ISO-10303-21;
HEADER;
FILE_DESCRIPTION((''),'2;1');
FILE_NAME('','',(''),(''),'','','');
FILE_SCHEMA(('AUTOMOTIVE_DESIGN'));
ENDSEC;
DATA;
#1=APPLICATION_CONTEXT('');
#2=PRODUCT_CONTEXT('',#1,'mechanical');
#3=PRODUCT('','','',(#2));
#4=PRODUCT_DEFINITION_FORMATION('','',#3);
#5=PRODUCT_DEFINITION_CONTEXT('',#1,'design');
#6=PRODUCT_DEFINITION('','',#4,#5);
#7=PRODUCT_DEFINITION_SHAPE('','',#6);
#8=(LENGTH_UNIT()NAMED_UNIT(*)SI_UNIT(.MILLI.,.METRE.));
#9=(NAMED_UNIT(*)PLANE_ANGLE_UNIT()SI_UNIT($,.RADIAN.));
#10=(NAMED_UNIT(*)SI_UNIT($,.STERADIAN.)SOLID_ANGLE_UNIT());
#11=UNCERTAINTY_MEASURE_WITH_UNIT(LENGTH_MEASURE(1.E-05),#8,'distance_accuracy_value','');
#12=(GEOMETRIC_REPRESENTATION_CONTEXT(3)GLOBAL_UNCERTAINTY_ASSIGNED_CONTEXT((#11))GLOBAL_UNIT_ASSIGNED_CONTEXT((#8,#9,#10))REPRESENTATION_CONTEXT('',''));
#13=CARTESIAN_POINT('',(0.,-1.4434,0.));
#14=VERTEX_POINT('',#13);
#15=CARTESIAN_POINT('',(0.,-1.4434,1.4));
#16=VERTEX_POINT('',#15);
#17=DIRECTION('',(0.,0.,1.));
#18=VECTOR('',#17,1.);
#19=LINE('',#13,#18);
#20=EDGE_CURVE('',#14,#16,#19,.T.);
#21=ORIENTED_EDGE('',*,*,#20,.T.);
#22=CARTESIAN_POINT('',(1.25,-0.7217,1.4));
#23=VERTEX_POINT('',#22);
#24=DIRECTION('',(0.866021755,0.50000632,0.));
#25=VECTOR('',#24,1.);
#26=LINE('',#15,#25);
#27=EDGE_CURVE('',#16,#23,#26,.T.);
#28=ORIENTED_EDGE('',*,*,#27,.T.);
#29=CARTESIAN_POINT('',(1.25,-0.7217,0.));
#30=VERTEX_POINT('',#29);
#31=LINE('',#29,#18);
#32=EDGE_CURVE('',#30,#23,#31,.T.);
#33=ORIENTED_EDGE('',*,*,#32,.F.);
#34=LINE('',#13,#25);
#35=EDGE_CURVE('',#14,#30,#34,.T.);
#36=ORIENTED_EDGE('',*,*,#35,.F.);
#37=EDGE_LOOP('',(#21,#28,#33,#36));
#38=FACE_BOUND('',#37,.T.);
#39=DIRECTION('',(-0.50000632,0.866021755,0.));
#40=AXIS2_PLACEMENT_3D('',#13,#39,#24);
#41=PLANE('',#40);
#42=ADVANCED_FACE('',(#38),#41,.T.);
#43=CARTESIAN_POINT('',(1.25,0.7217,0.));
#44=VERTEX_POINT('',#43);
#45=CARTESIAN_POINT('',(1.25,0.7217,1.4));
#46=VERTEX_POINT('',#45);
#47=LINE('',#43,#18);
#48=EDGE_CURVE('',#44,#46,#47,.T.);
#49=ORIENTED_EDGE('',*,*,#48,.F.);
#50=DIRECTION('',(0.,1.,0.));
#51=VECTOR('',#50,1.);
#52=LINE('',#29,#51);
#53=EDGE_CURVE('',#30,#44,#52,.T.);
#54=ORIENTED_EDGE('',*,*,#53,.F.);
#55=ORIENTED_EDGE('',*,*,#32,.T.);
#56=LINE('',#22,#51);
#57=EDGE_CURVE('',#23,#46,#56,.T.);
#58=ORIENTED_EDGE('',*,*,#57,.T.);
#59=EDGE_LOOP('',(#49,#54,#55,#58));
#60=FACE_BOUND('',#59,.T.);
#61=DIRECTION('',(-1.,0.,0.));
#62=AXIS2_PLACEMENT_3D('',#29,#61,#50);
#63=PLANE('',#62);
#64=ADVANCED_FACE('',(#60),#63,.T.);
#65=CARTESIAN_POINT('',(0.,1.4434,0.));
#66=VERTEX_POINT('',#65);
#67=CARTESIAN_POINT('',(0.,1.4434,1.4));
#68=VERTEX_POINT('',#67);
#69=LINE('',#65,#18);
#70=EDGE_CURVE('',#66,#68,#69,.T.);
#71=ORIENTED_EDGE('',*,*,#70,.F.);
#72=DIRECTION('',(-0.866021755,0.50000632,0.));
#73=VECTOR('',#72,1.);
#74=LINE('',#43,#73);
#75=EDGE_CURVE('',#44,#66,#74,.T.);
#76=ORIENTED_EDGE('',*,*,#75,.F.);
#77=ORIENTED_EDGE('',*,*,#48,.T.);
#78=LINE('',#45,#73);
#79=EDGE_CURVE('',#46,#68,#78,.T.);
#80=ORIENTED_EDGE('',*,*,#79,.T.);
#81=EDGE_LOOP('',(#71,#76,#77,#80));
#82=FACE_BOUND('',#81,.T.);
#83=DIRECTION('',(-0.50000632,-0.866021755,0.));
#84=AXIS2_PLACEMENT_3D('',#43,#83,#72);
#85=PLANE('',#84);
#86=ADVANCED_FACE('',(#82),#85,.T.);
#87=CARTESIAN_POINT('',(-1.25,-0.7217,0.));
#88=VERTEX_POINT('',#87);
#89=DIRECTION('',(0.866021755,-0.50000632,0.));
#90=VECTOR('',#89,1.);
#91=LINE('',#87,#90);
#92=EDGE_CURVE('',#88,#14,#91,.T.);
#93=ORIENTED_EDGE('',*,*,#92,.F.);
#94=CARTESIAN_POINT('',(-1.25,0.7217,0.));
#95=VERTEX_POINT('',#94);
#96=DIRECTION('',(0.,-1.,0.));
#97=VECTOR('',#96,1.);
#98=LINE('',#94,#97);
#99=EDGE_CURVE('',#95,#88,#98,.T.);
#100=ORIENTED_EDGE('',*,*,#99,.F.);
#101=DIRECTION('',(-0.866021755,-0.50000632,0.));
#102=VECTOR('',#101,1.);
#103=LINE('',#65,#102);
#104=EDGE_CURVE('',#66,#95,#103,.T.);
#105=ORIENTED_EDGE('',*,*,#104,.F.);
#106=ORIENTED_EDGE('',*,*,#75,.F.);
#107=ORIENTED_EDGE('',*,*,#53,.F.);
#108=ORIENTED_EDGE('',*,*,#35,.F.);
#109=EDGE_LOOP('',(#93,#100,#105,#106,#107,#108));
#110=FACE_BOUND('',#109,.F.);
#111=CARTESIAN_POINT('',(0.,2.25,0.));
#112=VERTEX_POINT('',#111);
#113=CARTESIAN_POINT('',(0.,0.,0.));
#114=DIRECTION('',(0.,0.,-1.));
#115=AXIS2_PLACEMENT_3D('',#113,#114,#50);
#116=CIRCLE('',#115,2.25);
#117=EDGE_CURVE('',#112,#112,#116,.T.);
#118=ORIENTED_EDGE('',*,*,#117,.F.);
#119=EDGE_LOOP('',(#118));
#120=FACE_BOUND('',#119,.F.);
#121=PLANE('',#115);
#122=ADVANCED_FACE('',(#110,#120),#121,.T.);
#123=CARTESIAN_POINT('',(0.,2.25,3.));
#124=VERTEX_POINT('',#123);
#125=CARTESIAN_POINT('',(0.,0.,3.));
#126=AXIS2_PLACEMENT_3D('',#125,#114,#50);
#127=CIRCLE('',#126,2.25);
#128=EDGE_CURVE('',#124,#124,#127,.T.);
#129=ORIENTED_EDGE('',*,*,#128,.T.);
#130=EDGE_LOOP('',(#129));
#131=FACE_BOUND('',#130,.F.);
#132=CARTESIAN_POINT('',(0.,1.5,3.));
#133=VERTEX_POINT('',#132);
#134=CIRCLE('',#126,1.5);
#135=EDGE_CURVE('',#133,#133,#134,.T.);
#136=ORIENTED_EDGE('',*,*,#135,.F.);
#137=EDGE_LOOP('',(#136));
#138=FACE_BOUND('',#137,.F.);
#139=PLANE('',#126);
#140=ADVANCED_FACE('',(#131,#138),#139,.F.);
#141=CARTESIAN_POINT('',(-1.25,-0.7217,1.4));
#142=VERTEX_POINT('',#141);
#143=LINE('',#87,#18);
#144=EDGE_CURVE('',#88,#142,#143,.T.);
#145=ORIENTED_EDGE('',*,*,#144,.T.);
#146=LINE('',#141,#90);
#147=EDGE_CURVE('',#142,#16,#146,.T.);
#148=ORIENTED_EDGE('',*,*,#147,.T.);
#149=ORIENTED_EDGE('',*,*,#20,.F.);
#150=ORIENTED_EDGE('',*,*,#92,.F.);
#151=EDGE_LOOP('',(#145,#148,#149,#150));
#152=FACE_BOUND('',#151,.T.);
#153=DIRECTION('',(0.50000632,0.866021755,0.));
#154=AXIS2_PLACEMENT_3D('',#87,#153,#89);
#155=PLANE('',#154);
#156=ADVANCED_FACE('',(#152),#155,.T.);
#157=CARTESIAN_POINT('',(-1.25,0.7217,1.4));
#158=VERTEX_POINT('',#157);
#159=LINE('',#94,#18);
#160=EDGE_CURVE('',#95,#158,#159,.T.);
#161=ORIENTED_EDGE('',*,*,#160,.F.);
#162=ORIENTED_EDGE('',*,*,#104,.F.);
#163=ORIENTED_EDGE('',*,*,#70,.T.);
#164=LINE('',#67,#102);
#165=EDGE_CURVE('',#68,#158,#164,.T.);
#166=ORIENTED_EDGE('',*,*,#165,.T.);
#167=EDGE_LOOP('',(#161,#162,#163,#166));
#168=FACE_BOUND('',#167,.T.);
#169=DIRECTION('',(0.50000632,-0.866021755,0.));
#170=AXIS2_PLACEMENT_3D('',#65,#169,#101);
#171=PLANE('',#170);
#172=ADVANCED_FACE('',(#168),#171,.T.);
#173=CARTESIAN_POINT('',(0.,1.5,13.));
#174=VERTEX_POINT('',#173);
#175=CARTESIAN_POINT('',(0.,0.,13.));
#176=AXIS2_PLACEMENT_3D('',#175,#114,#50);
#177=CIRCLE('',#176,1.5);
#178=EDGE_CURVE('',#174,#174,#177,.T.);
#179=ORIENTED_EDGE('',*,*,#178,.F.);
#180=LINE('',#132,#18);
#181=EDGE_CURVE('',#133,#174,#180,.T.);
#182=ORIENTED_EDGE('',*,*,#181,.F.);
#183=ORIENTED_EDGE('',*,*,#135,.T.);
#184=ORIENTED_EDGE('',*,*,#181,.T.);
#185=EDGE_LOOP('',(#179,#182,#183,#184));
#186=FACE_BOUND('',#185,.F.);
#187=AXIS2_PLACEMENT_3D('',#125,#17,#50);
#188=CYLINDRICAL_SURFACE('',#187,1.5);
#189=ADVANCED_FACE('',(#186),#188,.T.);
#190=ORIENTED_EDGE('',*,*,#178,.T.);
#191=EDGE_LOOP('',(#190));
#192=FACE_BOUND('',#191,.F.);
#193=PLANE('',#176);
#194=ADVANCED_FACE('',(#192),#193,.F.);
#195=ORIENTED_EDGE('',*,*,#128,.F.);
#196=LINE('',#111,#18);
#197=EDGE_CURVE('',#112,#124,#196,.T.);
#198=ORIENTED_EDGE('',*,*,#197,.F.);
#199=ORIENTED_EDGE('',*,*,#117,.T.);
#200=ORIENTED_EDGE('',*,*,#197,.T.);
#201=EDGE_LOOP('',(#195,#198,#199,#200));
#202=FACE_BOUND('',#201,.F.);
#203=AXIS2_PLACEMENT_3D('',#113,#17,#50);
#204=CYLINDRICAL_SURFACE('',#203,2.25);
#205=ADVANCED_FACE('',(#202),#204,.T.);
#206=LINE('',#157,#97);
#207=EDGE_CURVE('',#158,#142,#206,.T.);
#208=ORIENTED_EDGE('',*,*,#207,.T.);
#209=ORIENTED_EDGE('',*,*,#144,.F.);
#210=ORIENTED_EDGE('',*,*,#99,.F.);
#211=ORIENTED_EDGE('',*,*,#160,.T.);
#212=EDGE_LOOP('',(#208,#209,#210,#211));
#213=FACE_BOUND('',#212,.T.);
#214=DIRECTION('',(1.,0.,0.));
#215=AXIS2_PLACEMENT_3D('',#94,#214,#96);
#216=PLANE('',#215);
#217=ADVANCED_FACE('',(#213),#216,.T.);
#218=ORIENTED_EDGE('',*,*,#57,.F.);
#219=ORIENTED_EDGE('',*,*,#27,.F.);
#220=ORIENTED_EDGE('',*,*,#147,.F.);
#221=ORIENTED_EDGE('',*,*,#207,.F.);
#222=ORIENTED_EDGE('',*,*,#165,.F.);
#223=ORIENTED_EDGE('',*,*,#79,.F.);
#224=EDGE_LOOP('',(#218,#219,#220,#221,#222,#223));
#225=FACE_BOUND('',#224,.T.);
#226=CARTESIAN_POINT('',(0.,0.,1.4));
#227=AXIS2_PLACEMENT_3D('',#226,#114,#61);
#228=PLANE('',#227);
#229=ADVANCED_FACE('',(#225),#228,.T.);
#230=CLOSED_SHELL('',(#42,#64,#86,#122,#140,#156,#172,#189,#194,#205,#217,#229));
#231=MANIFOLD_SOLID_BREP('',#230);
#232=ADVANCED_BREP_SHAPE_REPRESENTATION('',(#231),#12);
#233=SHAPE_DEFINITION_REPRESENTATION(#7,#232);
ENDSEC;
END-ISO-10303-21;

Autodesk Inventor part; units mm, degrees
ref_plane "YZ Plane" through (0, 0, 0) normal (1, 0, 0) x (0, 1, 0)
ref_plane "XZ Plane" through (0, 0, 0) normal (0, 1, 0) x (-1, 0, 0)
ref_plane "XY Plane" through (0, 0, 0) normal (0, 0, 1) x (1, 0, 0)
sketch "スケッチ1" plane through (0, 0, 0) normal (1, 0, 0) x (0, 1, 0)
  line L0 (0, 13) -> (0, 0)
  line L1 (0, 0) -> (2.25, 0)
  line L2 (2.25, 0) -> (2.25, 3)
  line L3 (2.25, 3) -> (1.5, 3)
  line L4 (1.5, 3) -> (1.5, 13)
  line L5 (1.5, 13) -> (0, 13)
  dimension "d2" = 3
  dimension "d10" = 10
  dimension "d11" = 3
  dimension "d12" = 4.5
revolve "回転1" add sketch "スケッチ1" angle 360 about axis through (0, 0, 13) along (0, 0, -1)
thread "ねじ1" size "M3x0.5" class "6g" standard "ANSI Metric M Profile" full length
sketch "スケッチ2" plane through (0, 0, 0) normal (0, 0, -1) x (-1, 0, 0)
  line L0 (0, 1.4434) -> (1.25, 0.7217)
  line L1 (1.25, 0.7217) -> (1.25, -0.7217)
  line L2 (1.25, -0.7217) -> (0, -1.4434)
  line L3 (0, -1.4434) -> (-1.25, -0.7217)
  line L4 (-1.25, -0.7217) -> (-1.25, 0.7217)
  line L5 (-1.25, 0.7217) -> (0, 1.4434)
  circle A0 centre (0, 0) radius 2.25 projected
  line L6 (0, 2.25) -> (0, -2.25) construction
  point P0 (0, 0)
  dimension "d7" = 2.5
extrude "押し出し1" cut sketch "スケッチ2" against normal blind 1.4 contours L0 L1 L2 L3 L4 L5
properties part number "CSHSM-SUS-M3-10" material "ステンレス鋼 AISI 304"
